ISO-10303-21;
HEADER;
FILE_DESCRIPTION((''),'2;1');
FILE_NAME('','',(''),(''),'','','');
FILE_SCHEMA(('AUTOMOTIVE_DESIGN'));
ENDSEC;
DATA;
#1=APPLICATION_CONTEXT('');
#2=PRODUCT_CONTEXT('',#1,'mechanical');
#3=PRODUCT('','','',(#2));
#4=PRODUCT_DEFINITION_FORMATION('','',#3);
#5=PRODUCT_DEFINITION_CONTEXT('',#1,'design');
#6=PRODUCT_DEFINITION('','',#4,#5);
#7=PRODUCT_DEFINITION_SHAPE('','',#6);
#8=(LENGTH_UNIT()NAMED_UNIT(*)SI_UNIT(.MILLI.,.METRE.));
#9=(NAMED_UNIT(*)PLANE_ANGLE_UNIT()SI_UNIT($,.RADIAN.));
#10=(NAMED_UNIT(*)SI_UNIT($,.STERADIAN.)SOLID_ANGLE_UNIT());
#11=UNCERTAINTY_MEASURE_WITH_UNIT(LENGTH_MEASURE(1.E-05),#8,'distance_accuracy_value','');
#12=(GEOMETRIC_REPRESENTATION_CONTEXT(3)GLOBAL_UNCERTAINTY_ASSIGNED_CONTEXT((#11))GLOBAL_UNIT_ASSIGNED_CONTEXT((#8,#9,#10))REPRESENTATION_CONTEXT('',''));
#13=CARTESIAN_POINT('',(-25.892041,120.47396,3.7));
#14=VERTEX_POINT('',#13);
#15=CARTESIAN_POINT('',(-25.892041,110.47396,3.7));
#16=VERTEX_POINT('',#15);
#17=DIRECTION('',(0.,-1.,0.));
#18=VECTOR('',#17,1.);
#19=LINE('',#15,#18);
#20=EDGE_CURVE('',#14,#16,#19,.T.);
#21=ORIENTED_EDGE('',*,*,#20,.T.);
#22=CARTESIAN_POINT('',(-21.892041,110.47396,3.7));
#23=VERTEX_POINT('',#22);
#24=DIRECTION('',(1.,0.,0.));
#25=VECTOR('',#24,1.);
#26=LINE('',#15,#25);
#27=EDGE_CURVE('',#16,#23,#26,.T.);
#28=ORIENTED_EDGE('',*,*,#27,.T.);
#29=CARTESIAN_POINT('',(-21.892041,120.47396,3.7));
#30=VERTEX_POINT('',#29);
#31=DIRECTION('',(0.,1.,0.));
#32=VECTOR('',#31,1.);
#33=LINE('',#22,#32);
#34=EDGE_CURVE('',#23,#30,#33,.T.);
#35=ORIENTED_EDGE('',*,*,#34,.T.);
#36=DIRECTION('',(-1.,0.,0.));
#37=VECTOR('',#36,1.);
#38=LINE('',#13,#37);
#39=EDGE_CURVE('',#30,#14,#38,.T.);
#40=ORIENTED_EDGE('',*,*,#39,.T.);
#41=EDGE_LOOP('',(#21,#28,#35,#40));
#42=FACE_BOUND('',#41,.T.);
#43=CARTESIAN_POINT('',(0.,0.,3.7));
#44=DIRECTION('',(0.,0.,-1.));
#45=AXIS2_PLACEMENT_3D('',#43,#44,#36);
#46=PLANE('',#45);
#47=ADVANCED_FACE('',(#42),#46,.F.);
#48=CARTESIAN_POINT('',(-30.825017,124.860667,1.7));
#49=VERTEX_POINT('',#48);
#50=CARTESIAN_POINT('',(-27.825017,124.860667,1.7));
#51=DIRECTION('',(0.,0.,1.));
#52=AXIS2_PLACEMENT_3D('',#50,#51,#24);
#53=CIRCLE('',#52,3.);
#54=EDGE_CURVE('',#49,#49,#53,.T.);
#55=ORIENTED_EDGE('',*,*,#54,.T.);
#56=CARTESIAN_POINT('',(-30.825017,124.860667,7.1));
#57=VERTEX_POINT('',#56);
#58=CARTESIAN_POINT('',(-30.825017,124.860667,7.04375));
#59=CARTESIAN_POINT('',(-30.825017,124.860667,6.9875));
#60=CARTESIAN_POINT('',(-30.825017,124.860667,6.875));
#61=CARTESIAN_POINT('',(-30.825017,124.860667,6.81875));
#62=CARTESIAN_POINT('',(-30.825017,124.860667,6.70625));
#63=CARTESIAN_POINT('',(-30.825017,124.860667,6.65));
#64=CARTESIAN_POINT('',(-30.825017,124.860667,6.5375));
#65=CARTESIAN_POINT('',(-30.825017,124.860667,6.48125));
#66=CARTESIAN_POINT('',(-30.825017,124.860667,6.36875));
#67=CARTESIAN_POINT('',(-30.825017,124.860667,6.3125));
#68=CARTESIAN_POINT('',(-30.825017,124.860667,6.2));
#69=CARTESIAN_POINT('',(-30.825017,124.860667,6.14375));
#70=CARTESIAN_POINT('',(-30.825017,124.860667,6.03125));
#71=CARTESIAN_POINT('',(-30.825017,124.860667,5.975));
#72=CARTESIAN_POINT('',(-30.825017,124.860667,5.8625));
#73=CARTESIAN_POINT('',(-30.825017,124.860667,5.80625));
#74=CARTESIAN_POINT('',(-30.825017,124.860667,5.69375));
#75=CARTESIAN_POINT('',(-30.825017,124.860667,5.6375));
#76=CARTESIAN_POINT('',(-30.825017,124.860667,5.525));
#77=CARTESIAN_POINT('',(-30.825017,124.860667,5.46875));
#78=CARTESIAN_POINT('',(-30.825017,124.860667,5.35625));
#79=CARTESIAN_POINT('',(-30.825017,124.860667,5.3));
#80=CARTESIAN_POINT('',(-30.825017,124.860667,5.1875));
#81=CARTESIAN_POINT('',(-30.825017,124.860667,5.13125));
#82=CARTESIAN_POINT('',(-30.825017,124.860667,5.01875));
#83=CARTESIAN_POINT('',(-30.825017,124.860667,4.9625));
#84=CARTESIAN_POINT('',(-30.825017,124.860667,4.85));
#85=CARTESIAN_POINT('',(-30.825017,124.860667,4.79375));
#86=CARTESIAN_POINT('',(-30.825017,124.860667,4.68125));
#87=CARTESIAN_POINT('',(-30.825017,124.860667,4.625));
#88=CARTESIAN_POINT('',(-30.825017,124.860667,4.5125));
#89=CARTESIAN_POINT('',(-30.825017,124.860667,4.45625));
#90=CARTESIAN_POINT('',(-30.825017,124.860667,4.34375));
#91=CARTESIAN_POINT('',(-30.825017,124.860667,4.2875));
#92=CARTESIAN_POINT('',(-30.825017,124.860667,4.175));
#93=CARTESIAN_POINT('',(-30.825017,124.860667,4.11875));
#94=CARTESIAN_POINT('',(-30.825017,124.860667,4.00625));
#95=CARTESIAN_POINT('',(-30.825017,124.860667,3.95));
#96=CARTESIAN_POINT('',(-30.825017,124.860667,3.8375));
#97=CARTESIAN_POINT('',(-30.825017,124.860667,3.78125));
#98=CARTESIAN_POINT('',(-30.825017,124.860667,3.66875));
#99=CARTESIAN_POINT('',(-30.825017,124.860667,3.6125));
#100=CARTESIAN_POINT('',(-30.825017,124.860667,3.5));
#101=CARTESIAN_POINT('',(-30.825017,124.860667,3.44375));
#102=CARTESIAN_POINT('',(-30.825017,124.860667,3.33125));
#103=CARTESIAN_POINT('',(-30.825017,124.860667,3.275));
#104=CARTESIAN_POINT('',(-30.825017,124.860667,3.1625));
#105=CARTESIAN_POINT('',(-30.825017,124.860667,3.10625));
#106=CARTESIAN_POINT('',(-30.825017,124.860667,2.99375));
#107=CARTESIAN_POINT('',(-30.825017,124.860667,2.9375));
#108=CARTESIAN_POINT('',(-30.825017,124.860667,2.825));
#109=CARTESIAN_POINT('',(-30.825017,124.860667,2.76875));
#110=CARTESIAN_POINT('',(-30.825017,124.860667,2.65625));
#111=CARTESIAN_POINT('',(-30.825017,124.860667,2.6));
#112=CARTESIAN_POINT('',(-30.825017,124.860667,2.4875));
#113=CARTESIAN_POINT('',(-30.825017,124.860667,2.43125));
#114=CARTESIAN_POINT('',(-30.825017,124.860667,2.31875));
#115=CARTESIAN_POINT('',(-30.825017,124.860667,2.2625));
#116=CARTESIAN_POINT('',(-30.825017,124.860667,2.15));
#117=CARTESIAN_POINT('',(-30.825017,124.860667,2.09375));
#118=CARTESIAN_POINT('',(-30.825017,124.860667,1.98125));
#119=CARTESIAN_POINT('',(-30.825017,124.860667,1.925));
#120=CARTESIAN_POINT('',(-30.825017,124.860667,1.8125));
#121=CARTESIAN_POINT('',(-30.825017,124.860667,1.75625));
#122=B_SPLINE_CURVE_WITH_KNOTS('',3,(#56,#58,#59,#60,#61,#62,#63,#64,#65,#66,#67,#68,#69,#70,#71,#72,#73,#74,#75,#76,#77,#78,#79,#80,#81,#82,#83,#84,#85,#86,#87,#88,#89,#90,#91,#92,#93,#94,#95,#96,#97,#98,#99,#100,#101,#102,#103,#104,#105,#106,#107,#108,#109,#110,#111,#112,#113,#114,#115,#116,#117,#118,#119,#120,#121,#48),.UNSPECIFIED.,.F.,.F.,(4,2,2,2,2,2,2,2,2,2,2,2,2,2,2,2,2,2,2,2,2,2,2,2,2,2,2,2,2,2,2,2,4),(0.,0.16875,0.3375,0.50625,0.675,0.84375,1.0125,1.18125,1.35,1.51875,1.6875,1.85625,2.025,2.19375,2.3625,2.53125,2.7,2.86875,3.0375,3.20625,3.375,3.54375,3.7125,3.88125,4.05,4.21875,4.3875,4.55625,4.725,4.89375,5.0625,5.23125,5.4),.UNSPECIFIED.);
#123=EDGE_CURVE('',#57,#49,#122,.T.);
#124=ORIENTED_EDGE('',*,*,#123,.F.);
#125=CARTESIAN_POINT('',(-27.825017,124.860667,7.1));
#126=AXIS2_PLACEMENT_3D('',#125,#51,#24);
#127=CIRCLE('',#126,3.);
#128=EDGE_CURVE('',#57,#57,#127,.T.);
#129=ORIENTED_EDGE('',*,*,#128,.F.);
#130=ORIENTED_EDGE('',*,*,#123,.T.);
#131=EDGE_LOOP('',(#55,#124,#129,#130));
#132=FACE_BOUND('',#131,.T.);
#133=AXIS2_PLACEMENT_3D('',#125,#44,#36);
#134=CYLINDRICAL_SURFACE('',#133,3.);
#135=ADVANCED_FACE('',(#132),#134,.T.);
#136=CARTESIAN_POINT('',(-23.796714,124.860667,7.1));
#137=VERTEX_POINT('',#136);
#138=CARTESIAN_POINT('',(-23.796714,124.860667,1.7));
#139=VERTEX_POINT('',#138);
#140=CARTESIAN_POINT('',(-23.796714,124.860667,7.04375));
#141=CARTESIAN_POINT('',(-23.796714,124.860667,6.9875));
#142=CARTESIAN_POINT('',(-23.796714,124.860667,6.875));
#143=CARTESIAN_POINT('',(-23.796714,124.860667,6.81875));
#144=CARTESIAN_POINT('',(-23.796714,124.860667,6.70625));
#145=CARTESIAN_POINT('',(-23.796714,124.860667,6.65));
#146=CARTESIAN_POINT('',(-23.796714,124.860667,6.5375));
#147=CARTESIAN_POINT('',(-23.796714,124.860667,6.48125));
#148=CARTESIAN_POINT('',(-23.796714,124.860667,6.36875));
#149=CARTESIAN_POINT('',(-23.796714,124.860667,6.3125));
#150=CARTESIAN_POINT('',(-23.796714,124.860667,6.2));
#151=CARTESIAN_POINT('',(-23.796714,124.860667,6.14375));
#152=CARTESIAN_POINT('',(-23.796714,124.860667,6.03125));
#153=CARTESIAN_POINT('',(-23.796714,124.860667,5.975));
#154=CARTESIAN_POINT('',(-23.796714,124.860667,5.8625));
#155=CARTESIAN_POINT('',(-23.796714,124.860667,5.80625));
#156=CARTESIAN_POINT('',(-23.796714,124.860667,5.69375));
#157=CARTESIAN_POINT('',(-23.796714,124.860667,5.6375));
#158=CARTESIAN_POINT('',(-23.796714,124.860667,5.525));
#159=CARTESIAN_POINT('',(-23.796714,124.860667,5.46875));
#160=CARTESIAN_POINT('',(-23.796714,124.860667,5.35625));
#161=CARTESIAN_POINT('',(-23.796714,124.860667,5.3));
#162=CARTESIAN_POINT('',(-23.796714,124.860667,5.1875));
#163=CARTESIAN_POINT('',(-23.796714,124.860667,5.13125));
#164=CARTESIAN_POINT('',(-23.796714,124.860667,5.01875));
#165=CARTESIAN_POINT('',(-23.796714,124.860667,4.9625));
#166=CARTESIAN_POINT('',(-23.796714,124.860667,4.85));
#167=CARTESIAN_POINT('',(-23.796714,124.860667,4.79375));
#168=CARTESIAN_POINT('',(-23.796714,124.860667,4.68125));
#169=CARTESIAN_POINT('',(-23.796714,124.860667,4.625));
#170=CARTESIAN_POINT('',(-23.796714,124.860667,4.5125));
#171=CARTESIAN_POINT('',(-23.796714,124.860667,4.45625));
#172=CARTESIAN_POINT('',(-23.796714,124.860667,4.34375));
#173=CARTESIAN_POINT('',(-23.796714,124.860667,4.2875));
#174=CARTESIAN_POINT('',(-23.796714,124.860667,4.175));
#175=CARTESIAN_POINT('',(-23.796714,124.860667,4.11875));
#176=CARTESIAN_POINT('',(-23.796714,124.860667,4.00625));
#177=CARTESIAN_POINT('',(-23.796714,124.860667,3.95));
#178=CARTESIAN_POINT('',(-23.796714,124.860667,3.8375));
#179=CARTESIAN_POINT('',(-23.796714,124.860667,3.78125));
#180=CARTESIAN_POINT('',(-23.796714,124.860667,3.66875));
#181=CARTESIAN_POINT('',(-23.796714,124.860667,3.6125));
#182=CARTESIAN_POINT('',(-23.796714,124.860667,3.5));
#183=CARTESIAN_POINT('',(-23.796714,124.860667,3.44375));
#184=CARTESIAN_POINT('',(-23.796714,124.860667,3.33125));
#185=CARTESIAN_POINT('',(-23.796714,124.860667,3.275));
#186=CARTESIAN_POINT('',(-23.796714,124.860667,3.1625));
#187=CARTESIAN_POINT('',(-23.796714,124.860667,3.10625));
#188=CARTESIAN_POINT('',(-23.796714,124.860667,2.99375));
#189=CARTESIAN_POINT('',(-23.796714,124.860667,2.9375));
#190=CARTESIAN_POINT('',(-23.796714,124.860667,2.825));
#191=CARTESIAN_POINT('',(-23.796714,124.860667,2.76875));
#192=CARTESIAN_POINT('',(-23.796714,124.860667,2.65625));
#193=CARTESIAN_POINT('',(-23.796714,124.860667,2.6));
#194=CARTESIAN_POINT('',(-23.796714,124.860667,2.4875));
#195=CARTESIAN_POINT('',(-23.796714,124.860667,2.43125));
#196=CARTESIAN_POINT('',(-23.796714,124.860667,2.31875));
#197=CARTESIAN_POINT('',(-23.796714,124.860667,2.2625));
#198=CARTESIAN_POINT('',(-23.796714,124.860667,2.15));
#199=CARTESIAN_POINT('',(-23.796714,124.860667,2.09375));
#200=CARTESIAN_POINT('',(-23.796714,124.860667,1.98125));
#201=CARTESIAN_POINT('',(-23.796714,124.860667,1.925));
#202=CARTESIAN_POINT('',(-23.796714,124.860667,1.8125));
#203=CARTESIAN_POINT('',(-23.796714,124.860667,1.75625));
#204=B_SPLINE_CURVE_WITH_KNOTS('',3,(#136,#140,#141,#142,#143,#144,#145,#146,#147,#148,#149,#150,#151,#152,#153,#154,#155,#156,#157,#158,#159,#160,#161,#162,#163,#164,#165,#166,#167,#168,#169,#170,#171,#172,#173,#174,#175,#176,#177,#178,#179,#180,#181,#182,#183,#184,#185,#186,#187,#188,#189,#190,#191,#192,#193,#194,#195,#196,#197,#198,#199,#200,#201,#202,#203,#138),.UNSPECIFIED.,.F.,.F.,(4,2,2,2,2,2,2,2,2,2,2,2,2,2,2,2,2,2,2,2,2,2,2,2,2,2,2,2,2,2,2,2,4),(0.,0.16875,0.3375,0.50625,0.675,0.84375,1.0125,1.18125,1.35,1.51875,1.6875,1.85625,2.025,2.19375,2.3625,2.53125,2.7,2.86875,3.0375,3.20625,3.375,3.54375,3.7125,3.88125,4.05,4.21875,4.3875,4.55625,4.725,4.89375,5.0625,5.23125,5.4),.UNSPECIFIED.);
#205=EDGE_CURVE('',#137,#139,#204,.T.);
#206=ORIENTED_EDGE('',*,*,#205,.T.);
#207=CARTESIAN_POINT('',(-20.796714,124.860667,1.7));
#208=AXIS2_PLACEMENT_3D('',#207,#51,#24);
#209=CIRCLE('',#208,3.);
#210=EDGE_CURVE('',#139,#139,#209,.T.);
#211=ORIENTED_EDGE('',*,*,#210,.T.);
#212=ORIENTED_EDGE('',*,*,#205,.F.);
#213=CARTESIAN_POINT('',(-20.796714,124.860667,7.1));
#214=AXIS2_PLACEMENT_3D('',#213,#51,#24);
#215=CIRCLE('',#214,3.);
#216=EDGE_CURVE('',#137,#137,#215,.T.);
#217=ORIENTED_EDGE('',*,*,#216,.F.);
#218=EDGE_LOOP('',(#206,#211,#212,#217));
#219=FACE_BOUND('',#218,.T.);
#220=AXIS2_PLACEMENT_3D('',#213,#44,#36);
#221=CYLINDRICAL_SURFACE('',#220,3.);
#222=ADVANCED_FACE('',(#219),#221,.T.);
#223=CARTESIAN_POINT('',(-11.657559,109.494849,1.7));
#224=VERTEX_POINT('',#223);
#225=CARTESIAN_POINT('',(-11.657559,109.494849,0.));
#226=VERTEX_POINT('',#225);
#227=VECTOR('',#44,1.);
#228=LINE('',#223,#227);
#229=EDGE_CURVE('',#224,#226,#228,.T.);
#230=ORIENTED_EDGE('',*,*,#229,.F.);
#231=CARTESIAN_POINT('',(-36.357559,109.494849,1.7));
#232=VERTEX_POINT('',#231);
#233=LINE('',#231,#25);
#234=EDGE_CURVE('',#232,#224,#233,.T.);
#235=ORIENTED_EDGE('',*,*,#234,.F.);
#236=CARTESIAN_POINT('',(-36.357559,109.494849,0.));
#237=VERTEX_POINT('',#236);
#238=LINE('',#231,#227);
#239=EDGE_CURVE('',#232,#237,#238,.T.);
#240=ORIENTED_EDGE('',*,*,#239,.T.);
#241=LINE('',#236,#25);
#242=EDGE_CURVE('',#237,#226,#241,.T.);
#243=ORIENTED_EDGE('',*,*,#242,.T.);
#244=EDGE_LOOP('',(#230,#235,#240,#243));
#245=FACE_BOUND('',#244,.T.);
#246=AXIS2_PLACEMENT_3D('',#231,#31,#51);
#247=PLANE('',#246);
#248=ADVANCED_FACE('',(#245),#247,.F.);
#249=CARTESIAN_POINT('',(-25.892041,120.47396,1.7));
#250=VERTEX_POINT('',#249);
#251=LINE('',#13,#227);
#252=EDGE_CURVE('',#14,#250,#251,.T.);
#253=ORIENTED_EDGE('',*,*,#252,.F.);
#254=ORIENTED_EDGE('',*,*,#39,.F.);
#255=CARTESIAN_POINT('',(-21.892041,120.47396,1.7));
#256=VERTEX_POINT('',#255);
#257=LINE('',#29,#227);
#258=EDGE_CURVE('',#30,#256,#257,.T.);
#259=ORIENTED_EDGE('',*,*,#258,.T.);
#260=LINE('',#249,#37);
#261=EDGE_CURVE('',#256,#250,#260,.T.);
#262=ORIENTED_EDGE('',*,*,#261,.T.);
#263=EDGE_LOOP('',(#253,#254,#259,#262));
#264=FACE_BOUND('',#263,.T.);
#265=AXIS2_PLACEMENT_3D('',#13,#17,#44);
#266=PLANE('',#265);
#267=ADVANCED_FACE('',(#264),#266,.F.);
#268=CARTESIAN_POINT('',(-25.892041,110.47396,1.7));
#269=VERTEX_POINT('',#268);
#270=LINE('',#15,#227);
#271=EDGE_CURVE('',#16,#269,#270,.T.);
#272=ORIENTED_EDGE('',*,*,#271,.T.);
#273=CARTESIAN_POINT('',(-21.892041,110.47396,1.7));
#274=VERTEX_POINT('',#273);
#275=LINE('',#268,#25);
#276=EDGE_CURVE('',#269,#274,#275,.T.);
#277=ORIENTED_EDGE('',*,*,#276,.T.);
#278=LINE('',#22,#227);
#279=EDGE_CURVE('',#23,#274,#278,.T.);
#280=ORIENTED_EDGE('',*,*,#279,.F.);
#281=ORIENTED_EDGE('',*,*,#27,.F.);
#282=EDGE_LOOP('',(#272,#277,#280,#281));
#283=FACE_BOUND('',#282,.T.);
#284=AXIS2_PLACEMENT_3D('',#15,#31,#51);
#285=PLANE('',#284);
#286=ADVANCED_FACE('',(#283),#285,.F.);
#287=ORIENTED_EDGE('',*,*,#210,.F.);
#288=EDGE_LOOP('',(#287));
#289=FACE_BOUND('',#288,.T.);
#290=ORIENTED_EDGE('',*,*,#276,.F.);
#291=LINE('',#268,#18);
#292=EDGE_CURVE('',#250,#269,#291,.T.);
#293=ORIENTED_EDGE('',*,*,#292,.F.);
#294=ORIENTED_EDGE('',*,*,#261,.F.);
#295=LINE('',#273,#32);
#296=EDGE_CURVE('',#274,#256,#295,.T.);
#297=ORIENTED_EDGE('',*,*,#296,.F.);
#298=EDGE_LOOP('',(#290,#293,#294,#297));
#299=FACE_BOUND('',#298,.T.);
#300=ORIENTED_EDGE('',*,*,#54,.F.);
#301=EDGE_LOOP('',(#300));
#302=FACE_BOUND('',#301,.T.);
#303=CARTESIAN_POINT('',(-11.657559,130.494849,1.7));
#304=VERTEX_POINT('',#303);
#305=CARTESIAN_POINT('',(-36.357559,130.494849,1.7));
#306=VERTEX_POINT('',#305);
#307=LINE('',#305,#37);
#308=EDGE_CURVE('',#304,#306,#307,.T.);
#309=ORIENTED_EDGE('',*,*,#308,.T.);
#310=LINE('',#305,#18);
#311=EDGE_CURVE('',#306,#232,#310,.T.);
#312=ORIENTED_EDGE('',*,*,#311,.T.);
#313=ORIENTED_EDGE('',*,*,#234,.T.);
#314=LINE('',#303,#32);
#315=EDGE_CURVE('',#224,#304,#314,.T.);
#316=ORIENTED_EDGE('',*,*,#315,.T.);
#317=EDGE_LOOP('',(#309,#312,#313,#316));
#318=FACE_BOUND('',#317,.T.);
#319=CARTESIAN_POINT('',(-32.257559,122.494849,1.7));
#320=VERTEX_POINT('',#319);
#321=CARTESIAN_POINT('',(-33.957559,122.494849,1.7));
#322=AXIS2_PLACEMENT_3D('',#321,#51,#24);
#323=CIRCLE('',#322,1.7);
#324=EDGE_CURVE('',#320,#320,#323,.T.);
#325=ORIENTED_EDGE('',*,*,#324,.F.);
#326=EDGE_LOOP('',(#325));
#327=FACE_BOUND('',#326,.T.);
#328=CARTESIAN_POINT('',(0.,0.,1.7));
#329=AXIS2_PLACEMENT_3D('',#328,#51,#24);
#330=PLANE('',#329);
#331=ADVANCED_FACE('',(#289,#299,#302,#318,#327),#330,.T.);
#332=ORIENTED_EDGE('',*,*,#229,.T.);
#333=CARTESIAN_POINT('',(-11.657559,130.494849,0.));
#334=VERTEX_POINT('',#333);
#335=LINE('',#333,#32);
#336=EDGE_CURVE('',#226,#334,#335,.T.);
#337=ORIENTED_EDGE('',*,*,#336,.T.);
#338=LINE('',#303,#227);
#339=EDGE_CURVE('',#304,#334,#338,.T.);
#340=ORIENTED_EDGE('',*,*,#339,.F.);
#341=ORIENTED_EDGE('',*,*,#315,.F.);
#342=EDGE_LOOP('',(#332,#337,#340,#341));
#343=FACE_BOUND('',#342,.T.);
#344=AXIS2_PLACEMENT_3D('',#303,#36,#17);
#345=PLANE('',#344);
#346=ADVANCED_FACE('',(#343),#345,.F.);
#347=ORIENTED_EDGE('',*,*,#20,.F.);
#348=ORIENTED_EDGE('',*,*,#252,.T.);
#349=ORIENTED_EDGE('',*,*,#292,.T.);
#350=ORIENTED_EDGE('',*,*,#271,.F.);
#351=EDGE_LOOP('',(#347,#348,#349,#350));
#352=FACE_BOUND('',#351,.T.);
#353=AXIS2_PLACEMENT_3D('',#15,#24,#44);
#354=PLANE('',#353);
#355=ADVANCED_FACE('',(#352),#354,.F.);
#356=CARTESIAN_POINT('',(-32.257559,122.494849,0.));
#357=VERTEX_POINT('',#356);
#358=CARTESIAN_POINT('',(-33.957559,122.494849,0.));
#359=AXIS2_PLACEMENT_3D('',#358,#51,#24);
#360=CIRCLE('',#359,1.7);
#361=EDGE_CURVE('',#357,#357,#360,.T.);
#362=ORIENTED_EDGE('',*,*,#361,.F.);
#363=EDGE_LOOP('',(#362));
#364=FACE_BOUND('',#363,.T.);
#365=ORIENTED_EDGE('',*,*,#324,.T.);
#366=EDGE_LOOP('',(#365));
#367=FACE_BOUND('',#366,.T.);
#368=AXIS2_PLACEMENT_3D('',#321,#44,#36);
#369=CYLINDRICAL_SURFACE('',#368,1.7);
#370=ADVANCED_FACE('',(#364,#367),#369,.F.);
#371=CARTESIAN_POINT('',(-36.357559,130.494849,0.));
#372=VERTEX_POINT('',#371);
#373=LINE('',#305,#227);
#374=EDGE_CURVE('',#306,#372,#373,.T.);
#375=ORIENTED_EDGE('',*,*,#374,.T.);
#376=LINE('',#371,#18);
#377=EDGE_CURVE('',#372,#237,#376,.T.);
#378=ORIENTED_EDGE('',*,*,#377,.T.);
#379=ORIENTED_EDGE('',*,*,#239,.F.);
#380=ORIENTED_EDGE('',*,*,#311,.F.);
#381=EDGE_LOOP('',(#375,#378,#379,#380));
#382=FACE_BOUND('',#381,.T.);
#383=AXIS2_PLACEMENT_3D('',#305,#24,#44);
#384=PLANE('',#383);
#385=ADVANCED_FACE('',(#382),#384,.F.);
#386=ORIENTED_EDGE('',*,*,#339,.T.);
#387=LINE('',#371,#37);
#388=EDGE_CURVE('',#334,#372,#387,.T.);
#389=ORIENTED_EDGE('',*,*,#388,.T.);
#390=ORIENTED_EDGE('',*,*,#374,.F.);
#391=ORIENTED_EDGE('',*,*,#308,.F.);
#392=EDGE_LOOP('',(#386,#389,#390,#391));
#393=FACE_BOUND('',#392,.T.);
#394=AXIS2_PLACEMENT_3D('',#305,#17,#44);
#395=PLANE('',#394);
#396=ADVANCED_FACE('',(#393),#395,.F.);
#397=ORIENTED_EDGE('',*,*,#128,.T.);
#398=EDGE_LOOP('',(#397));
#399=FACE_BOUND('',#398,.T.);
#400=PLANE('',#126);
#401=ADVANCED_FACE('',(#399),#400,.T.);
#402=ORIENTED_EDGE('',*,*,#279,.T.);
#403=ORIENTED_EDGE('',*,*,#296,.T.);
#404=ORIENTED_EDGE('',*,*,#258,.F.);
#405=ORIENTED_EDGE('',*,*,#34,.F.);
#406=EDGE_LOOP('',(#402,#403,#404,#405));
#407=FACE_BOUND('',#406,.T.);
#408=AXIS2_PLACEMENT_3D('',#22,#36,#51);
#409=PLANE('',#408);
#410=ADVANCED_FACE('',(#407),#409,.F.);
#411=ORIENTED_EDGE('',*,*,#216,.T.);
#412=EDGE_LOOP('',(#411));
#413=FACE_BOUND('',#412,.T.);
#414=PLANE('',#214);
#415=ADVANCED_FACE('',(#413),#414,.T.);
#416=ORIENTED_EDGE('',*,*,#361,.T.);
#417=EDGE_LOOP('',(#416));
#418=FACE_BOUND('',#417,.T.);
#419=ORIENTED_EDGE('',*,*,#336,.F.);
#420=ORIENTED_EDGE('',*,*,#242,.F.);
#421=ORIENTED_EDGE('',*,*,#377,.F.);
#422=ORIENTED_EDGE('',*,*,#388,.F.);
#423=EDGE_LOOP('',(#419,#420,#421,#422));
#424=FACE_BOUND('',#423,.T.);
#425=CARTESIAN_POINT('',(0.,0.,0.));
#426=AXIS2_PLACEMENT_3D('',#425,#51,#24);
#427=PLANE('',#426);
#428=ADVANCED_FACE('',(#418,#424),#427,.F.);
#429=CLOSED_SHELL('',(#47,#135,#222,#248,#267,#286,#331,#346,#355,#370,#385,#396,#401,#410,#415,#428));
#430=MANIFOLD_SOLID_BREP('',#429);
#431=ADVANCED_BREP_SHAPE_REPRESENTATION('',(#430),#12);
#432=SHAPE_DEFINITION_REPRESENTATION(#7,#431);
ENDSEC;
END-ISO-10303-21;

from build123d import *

# Parameters (mm, degrees)
SKETCH_1_W      = 24.7
SKETCH_1_H      = 21
SKETCH_1_R      = 1.7
EXTRUDE_1_DEPTH = 1.7
SKETCH_2_R      = 3
EXTRUDE_2_DEPTH = 5.4
SKETCH_3_W      = 4
SKETCH_3_H      = 10
EXTRUDE_3_DEPTH = 2


with BuildPart() as part:
    # Эскиз1 → Бобышка-Вытянуть1 (new body)
    with BuildSketch(Plane.XY):
        with Locations((-24.007558734, 119.994849308)):
            Rectangle(SKETCH_1_W, SKETCH_1_H)
        with Locations((-33.957558734, 122.494849308)):
            Circle(SKETCH_1_R, mode=Mode.SUBTRACT)
    extrude(amount=EXTRUDE_1_DEPTH)

    # Эскиз2 → Бобышка-Вытянуть2 (add)
    with BuildSketch(Plane.XY.offset(1.7)):
        with Locations(Location((-27.825017342, 124.86066732, 0), (0, 0, 180))):
            Circle(SKETCH_2_R)
        with Locations(Location((-20.796714073, 124.86066732, 0), (0, 0, 180))):
            Circle(SKETCH_2_R)
    extrude(amount=EXTRUDE_2_DEPTH)

    # Эскиз3 → Бобышка-Вытянуть3 (add)
    with BuildSketch(Plane.XY.offset(1.7)):
        with Locations((-23.892041325, 115.47395964)):
            Rectangle(SKETCH_3_W, SKETCH_3_H)
    extrude(amount=EXTRUDE_3_DEPTH)


solid = part.part
